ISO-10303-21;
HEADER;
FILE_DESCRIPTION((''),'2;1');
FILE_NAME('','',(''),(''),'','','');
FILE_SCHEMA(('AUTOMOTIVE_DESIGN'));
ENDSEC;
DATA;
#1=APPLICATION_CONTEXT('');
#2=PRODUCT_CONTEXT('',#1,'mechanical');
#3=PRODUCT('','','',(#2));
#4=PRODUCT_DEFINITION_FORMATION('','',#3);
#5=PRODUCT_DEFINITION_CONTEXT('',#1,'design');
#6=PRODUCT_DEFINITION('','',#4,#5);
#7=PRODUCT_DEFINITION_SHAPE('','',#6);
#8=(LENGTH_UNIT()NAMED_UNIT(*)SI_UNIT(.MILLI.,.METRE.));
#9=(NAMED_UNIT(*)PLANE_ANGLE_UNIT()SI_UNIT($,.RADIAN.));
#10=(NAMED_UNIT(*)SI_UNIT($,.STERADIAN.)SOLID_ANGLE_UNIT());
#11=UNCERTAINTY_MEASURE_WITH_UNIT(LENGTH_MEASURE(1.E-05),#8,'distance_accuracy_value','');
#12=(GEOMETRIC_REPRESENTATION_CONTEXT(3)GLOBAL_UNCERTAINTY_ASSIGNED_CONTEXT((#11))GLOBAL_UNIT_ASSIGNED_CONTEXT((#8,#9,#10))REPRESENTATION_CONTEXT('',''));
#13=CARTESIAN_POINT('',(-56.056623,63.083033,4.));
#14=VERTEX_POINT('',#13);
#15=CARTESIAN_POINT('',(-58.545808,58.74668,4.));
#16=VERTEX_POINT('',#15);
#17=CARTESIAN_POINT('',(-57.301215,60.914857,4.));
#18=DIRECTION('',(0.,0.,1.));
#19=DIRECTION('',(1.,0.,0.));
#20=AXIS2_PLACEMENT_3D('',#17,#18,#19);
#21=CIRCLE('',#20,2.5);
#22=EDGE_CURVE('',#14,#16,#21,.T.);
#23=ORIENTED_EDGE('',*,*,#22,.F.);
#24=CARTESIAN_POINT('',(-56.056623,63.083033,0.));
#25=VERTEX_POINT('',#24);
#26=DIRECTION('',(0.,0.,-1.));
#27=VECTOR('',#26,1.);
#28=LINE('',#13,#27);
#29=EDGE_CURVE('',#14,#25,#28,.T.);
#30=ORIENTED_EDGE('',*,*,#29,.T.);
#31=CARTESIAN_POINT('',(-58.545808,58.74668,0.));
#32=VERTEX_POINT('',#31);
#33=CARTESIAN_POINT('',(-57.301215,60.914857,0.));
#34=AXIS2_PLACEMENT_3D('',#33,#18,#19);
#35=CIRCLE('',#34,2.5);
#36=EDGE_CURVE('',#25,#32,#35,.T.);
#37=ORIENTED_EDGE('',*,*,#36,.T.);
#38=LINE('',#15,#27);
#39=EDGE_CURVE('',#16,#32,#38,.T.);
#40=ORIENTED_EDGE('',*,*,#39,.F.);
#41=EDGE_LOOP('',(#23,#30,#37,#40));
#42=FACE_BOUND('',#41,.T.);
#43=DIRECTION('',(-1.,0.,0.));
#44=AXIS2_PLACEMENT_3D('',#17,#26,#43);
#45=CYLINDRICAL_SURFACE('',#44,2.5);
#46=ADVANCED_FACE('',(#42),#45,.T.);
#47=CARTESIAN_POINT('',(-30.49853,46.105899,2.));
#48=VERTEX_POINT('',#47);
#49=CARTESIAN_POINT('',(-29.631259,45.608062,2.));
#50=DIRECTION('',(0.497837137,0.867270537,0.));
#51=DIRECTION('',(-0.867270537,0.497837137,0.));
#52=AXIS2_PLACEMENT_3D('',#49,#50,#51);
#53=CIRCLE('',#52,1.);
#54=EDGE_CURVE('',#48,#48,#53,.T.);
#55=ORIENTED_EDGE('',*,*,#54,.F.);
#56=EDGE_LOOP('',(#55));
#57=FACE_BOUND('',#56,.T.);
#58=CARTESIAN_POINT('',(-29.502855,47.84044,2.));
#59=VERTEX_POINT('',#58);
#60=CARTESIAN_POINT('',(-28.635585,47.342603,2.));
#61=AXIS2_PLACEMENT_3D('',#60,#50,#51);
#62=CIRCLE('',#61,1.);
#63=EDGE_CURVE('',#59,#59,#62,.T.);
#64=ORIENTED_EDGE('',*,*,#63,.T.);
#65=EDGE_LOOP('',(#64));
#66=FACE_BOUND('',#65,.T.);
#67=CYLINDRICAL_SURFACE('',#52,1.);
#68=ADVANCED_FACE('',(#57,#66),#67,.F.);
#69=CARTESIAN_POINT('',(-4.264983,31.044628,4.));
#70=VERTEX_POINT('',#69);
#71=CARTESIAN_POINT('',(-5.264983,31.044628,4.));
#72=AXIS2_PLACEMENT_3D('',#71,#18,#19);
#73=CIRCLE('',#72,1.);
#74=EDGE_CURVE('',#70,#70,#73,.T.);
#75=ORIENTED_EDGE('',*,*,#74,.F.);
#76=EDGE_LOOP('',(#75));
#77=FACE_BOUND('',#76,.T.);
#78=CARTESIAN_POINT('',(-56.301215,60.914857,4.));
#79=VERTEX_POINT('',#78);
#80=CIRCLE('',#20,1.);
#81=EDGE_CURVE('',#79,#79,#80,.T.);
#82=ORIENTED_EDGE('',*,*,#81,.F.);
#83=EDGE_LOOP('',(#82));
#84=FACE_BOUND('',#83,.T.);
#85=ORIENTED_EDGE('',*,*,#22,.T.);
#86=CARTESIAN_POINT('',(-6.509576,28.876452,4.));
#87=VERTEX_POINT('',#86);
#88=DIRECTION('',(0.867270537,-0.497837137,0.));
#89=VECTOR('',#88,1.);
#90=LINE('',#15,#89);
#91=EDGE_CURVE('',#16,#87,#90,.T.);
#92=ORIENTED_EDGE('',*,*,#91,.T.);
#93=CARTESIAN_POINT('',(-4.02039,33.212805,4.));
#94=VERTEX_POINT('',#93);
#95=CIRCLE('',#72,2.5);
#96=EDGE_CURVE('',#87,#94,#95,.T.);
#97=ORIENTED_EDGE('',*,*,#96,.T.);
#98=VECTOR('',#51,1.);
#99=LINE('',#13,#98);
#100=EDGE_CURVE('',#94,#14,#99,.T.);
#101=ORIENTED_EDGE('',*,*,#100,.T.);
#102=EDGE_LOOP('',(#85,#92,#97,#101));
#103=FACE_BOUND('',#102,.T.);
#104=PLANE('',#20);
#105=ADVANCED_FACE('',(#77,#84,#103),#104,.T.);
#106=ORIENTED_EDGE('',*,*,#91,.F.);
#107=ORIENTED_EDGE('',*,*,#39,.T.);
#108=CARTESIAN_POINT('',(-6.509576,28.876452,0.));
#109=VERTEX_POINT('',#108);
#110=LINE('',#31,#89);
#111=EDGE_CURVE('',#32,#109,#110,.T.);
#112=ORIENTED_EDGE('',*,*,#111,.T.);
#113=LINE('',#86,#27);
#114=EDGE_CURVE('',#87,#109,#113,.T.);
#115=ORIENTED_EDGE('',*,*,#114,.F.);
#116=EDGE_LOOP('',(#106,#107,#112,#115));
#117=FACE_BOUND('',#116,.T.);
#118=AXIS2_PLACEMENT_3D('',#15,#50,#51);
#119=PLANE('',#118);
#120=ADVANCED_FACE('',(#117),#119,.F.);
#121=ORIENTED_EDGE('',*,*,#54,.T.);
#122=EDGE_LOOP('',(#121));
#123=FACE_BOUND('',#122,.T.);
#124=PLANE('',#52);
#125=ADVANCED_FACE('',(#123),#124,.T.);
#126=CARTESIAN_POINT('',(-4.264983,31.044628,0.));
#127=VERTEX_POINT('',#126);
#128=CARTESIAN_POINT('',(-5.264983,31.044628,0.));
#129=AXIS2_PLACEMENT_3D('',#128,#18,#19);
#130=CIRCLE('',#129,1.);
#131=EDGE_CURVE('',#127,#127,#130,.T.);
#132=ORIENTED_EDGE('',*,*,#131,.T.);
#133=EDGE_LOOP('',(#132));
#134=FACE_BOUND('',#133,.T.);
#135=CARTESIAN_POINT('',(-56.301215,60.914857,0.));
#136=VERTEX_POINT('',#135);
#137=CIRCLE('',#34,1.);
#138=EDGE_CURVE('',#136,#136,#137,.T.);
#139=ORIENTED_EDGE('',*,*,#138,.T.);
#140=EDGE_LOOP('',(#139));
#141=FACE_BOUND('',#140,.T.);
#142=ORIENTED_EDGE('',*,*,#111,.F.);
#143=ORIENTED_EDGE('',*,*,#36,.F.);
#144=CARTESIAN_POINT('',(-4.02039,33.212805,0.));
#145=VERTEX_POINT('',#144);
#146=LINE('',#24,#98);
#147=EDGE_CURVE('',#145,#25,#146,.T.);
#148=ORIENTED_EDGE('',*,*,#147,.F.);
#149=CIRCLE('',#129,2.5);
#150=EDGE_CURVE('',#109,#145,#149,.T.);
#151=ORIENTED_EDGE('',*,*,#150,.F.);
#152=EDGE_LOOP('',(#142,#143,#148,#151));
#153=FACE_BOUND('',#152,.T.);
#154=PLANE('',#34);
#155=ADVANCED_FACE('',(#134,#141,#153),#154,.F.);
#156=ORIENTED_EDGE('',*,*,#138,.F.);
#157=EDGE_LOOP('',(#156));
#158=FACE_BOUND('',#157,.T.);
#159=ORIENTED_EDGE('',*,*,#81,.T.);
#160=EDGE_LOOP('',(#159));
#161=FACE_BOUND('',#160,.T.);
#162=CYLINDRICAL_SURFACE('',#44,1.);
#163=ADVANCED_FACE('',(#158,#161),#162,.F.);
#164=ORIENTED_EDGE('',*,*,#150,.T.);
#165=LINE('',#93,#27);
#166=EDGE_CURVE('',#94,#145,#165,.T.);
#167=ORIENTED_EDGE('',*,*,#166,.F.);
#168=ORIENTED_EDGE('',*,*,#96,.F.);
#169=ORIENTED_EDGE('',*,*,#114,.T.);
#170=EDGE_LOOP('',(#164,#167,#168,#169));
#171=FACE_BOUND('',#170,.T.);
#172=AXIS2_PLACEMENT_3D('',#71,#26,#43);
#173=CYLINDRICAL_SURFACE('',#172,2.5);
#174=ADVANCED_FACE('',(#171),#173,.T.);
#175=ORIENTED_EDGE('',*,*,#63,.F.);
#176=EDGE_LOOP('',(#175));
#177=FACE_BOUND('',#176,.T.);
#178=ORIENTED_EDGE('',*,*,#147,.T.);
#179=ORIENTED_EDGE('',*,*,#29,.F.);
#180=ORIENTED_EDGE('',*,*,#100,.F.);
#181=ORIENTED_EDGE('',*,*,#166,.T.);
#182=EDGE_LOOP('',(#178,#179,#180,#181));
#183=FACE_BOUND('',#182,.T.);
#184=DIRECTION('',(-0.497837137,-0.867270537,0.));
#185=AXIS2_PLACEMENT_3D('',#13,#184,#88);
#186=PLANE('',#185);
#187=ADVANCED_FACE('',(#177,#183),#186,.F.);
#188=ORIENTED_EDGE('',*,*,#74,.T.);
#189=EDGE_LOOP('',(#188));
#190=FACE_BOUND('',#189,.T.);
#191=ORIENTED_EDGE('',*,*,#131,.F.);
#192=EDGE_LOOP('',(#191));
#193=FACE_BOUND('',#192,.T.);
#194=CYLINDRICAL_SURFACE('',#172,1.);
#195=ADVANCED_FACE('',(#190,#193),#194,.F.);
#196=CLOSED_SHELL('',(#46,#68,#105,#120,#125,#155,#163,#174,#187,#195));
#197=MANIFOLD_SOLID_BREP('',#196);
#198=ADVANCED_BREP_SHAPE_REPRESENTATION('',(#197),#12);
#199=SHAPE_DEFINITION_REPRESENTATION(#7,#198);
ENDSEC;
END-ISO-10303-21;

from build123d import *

# Parameters (mm, degrees)
SKETCH1_R           = 1
BOSS_EXTRUDE1_DEPTH = 4
SKETCH2_R           = 1
CUT_EXTRUDE1_DEPTH  = 2


with BuildPart() as part:
    # Sketch1 → Boss-Extrude1 (new body)
    with BuildSketch(Plane.XY):
        with BuildLine():
            Line((-56.056622595, 63.083032854), (-4.020390364, 33.212804613))
            ThreePointArc((-4.020390364, 33.212804613), (-3.096806864, 29.800035426), (-6.509576051, 28.876451927))
            Line((-6.509576051, 28.876451927), (-58.545808282, 58.746680168))
            ThreePointArc((-58.545808282, 58.746680168), (-59.469391781, 62.159449355), (-56.056622595, 63.083032854))
        make_face()
        with Locations((-57.301215438, 60.914856511)):
            Circle(SKETCH1_R, mode=Mode.SUBTRACT)
        with Locations((-5.264983207, 31.04462827)):
            Circle(SKETCH1_R, mode=Mode.SUBTRACT)
    extrude(amount=BOSS_EXTRUDE1_DEPTH)

    # Sketch2 → Cut-Extrude1 (cut)
    with BuildSketch(Plane(origin=(13.343522454, 23.245441166, 0), x_dir=(0.8672705371832455, -0.49783713735908147, 0), z_dir=(0.49783713735908147, 0.8672705371832455, 0))):
        with Locations(Location((-48.403705156, -2, 0), (0, 0, 180))):
            Circle(SKETCH2_R)
    extrude(amount=-CUT_EXTRUDE1_DEPTH, mode=Mode.SUBTRACT)


solid = part.part
